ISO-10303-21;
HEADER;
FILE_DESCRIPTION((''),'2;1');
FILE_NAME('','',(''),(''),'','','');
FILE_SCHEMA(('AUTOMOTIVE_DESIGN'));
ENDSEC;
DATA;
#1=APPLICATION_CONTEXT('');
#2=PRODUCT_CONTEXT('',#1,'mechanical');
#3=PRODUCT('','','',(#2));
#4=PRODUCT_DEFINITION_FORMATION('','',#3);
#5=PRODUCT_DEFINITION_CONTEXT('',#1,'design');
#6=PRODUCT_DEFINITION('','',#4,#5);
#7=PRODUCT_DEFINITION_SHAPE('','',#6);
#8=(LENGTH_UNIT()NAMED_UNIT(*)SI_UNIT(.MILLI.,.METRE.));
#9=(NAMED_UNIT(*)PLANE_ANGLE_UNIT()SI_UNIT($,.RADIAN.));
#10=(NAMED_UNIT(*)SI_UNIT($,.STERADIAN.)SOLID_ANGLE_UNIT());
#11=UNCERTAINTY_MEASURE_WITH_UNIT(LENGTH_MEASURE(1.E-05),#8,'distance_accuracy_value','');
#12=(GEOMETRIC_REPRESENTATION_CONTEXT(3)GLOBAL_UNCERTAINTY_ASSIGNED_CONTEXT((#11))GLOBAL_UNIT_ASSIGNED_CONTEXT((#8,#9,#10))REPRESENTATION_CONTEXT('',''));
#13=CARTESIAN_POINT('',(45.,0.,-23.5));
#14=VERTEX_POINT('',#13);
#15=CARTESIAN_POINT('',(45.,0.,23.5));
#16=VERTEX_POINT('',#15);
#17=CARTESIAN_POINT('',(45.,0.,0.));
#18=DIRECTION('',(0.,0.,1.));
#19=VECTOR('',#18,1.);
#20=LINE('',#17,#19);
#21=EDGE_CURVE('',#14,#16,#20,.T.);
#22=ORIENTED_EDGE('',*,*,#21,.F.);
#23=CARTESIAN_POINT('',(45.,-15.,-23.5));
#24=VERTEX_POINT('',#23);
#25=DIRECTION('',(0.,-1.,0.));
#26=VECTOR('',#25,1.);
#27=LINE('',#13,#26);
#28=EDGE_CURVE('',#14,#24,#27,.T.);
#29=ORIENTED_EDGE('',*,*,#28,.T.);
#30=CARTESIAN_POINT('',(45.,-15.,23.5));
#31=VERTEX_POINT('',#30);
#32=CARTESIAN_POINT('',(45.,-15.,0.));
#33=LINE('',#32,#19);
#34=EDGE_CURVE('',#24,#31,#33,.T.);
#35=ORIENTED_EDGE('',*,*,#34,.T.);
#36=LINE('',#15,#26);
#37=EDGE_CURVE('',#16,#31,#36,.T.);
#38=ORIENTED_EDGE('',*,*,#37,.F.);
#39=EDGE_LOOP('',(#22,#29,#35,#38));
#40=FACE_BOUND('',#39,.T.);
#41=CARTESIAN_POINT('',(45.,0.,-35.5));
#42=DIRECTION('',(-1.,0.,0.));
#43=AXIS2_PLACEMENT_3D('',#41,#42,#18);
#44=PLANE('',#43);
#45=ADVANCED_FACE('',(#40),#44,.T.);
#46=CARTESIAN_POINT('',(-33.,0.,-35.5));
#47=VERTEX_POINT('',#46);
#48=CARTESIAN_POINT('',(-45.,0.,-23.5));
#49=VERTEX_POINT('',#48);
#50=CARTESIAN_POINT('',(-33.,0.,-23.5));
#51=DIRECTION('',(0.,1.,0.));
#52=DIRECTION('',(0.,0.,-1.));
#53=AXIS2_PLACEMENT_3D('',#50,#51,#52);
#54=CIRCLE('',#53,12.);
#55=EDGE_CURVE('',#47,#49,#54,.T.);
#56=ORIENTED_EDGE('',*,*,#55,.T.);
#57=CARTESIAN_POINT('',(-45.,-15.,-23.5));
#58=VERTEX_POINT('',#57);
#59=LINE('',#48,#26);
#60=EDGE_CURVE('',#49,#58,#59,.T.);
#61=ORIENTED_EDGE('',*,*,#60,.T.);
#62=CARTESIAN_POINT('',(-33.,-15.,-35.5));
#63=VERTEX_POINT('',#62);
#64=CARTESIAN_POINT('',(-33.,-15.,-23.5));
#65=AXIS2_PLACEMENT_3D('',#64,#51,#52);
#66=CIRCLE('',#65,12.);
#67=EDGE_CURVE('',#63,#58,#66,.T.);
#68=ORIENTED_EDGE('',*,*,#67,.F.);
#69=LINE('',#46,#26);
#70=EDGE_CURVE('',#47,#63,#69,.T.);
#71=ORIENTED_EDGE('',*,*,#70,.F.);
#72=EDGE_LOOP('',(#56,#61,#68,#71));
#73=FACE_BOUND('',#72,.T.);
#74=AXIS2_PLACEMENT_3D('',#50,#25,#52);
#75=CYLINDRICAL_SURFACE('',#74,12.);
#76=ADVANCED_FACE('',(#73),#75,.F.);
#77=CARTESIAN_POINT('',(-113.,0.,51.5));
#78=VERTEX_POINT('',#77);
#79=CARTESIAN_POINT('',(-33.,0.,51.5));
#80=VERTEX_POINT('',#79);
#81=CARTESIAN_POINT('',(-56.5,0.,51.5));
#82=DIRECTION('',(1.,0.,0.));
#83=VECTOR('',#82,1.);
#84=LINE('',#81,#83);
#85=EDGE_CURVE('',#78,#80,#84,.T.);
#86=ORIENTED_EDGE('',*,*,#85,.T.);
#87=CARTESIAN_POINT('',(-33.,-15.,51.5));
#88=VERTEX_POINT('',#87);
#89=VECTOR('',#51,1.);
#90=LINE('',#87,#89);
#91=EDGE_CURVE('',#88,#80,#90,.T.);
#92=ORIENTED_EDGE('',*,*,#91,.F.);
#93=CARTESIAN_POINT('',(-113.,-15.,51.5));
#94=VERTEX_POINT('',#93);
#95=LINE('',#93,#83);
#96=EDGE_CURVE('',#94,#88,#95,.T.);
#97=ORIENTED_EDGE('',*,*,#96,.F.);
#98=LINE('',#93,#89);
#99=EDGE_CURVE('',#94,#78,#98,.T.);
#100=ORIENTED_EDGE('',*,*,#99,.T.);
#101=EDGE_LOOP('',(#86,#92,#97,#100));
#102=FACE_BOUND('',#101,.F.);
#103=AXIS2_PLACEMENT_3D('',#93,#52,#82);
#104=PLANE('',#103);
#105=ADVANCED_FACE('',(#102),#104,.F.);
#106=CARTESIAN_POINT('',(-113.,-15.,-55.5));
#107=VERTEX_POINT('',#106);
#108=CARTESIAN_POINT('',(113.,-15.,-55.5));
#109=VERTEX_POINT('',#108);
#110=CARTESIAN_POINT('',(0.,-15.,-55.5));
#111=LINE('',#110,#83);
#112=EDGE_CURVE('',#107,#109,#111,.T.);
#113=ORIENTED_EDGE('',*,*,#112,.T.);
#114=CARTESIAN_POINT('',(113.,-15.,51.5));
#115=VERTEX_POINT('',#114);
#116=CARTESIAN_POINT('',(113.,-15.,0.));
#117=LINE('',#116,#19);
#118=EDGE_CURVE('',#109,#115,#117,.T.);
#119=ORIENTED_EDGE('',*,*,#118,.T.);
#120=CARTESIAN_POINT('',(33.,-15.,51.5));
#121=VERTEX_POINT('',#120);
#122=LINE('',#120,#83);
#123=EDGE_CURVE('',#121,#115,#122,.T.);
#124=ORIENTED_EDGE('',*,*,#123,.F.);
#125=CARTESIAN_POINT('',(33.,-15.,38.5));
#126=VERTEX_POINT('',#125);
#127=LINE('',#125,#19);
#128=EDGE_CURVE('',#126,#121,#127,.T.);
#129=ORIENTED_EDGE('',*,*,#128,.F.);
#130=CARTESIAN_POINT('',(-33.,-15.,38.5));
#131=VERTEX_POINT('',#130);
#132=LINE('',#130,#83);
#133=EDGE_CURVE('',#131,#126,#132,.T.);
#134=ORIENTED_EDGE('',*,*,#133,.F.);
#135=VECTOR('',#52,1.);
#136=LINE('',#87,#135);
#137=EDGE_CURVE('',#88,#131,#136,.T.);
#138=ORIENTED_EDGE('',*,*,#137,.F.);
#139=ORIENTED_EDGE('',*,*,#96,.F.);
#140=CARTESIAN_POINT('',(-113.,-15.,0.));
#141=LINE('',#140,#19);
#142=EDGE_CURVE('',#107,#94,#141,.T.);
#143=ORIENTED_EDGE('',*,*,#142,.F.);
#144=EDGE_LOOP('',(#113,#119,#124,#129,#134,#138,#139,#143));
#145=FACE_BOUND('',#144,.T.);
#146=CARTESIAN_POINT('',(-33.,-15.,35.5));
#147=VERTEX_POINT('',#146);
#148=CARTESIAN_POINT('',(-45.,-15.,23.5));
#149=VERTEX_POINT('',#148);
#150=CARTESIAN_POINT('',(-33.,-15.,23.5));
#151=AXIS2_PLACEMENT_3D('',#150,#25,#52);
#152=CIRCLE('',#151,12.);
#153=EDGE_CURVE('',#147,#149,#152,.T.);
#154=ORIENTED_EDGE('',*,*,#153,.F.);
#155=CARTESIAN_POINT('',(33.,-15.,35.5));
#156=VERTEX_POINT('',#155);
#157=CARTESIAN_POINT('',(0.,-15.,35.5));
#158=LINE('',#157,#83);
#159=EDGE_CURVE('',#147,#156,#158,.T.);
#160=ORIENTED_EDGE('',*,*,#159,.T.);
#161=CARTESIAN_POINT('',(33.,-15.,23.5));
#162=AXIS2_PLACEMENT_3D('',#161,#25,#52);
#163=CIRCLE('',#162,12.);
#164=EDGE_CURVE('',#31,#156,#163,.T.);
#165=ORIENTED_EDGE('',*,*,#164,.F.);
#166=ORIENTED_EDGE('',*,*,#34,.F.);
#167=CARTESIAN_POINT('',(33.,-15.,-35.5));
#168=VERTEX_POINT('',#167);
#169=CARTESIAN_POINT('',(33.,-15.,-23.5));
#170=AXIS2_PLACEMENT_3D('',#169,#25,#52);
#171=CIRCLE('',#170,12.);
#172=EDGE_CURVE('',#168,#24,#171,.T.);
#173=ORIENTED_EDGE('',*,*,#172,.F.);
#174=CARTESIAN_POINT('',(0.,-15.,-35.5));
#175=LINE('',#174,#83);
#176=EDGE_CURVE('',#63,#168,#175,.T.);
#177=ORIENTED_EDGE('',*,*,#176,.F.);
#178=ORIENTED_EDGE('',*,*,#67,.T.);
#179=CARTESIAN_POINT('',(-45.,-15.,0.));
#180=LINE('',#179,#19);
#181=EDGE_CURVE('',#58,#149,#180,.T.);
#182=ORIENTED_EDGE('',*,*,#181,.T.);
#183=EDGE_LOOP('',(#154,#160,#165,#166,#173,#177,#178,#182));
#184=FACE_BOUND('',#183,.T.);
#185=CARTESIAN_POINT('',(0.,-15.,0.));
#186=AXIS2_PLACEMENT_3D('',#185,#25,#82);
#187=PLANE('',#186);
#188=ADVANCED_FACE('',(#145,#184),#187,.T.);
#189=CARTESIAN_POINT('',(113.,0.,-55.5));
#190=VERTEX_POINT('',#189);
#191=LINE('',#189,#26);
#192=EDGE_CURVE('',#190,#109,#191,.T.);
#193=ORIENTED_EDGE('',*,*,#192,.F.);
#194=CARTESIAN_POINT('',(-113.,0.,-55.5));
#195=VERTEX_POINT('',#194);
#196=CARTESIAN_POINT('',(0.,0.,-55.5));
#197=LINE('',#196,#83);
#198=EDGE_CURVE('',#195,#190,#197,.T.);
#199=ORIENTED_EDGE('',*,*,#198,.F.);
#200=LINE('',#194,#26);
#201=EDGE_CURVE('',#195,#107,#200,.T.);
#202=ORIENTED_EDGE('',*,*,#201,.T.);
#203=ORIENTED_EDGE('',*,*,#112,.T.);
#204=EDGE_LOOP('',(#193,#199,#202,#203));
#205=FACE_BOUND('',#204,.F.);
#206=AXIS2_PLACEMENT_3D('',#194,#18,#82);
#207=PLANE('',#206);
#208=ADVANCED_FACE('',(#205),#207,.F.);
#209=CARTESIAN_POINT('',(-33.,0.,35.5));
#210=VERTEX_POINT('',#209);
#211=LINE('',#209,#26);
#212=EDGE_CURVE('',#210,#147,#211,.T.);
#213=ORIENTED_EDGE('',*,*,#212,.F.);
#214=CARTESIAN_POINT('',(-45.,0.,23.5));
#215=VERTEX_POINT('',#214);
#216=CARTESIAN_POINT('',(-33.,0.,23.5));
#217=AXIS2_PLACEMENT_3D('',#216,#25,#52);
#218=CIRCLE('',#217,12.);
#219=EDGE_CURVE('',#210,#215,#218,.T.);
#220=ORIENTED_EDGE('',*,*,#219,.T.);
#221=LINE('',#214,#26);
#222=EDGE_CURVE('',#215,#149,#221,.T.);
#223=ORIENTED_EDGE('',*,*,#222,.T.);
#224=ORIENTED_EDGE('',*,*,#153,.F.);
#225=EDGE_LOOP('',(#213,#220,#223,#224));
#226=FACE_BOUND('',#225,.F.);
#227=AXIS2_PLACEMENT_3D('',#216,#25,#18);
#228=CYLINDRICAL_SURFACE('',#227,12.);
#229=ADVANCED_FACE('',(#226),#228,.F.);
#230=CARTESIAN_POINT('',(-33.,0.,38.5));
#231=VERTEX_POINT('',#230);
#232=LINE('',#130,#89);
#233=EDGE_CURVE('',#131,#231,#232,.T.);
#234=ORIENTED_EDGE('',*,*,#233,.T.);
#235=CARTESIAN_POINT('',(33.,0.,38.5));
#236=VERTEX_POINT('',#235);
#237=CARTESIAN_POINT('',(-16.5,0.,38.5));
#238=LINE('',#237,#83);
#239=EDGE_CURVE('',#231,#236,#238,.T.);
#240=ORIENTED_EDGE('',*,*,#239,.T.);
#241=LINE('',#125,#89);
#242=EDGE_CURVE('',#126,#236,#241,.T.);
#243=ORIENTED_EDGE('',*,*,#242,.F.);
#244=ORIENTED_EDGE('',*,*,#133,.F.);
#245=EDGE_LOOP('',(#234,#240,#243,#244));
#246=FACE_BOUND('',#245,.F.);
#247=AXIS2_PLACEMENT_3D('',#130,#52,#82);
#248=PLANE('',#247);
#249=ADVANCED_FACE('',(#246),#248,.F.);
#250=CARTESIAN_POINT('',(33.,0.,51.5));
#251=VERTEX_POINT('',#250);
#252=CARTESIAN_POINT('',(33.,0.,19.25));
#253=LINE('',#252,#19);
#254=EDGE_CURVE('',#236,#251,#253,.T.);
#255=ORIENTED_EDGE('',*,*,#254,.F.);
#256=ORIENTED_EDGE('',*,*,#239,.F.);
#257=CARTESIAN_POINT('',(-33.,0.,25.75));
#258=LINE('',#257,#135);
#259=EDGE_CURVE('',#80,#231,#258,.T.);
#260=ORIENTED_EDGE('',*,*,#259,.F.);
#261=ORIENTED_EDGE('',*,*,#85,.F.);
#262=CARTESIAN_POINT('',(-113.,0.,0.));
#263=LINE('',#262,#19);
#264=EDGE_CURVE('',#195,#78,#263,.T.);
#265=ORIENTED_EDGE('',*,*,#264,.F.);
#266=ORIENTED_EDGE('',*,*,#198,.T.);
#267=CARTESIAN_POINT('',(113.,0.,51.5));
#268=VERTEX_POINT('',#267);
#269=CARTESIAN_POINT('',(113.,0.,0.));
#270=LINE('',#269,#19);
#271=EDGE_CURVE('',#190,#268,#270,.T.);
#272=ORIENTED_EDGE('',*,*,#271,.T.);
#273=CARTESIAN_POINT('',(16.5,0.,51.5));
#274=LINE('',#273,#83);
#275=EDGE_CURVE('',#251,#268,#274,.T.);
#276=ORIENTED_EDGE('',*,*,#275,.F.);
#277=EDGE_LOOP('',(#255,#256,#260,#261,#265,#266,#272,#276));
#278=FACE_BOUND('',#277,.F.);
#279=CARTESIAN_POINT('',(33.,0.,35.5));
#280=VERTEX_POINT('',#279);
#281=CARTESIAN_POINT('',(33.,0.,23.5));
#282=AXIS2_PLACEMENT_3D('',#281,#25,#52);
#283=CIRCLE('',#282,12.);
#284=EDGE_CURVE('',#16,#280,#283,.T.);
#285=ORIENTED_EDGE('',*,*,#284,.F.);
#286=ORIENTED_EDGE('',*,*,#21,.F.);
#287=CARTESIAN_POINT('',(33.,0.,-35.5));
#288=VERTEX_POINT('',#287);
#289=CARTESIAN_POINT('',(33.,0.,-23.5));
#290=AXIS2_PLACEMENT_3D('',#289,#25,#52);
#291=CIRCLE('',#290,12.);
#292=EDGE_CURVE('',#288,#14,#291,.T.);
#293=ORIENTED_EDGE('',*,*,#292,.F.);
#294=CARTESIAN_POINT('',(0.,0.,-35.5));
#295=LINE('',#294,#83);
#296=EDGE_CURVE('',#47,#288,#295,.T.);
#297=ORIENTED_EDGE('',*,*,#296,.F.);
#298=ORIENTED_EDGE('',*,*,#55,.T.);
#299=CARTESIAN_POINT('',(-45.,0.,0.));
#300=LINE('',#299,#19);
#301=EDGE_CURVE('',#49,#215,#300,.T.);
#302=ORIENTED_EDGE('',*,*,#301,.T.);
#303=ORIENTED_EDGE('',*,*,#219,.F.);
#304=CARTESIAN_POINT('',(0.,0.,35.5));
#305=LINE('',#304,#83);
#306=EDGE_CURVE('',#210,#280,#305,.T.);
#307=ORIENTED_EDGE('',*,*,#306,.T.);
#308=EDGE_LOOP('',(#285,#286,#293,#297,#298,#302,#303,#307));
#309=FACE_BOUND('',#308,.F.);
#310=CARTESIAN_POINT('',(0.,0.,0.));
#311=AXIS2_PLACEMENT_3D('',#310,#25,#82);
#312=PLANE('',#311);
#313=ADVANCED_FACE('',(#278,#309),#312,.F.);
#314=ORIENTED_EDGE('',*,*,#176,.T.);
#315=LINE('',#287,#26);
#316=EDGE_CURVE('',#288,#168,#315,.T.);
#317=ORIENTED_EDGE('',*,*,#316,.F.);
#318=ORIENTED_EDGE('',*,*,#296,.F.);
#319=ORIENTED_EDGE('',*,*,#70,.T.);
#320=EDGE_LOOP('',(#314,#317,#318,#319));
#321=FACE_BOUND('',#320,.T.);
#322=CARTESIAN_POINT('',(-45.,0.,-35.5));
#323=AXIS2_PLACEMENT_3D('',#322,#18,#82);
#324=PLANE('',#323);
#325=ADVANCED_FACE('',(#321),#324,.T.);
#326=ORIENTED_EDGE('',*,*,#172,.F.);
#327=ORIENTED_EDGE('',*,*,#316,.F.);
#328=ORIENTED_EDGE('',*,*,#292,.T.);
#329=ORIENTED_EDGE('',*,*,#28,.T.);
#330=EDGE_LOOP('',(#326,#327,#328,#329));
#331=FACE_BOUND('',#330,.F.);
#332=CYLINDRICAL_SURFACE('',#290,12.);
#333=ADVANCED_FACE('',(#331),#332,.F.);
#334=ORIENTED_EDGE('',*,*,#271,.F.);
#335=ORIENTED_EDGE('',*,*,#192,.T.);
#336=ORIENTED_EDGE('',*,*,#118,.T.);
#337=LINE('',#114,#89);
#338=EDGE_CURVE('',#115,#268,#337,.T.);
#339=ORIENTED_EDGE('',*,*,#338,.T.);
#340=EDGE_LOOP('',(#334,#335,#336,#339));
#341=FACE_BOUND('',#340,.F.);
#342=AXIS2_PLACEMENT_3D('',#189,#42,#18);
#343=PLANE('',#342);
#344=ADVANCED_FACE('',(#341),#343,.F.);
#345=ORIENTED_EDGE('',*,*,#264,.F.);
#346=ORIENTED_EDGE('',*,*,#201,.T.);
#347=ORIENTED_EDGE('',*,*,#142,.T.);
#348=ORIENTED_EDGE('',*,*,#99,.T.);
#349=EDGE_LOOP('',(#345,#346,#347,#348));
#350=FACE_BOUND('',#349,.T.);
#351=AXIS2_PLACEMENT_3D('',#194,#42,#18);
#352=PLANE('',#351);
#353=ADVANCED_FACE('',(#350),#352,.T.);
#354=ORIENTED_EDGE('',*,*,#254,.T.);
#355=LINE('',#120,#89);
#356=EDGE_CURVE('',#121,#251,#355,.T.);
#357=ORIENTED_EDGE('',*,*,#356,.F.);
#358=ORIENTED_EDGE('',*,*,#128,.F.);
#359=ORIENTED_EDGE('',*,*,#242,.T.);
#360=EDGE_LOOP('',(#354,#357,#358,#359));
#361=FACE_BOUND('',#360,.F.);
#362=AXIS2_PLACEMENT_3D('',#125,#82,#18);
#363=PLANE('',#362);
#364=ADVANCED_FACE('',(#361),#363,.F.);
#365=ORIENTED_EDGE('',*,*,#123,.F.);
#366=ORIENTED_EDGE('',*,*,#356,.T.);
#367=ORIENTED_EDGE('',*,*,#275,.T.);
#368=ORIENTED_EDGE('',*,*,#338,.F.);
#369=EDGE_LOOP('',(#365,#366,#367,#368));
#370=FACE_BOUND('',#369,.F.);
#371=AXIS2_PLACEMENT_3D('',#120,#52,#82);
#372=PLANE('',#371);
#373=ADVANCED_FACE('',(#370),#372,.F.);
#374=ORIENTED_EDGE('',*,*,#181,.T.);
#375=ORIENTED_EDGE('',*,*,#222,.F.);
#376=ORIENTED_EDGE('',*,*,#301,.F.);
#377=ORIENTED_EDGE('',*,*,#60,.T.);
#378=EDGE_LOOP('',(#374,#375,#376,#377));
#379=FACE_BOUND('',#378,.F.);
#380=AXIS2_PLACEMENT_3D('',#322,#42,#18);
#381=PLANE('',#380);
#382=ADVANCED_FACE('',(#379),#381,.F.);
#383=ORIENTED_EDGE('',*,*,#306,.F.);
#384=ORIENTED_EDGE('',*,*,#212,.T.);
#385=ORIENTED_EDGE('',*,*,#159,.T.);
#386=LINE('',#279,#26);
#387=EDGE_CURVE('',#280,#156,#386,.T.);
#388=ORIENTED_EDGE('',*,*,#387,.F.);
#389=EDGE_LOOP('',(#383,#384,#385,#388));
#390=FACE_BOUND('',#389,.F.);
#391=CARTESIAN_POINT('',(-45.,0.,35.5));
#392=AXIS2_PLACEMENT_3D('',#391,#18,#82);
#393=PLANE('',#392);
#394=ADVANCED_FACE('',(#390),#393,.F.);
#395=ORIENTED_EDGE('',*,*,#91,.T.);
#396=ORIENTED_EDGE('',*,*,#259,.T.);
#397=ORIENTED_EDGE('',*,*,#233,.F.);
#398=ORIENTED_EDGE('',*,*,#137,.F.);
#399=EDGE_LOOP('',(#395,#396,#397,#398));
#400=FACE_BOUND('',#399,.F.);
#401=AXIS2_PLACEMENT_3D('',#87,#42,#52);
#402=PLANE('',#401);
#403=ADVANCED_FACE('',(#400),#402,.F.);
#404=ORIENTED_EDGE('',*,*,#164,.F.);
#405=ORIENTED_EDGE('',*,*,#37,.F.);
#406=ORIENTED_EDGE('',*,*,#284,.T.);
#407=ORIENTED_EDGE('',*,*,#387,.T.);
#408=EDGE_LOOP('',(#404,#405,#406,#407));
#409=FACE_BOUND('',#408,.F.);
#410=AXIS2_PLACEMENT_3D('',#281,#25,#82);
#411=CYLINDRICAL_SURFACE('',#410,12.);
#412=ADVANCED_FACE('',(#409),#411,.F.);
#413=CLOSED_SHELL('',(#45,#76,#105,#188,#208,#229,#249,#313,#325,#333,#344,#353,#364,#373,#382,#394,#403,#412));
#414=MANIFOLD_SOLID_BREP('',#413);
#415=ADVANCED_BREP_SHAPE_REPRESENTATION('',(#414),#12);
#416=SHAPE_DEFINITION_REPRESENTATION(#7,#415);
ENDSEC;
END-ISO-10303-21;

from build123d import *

# Parameters (mm, degrees)
F0_W     = 226
F0_H     = 111
F0_W_2   = 90
F0_H_2   = 71
F1_DEPTH = 15
F2_R     = 12
F4_DEPTH = 25


with BuildPart() as f1:
    # F0 (on Front) → F1 (new body)
    with BuildSketch(Plane.XZ):
        Rectangle(F0_W, F0_H)
        Rectangle(F0_W_2, F0_H_2, mode=Mode.SUBTRACT)
    extrude(amount=F1_DEPTH)

    # F2
    f2_edges = [f1.edges().sort_by_distance(p)[0] for p in [
        (45, -7.5, 35.5),
        (45, -7.5, -35.5),
        (-45, -7.5, -35.5),
        (-45, -7.5, 35.5),
    ]]
    fillet(f2_edges, radius=F2_R)

    # F3 (on face) → F4 (cut)
    with BuildSketch(Plane.XZ.offset(15)):
        Polygon((-33, 51.5), (-33, 47.5), (-33, 38.5), (33, 38.5), (33, 47.5), (33, 51.5), (113, 51.5), (113, 55.5), (-113, 55.5), (-113, 51.5), align=None)
    extrude(amount=-F4_DEPTH, mode=Mode.SUBTRACT)


solid = f1.part
